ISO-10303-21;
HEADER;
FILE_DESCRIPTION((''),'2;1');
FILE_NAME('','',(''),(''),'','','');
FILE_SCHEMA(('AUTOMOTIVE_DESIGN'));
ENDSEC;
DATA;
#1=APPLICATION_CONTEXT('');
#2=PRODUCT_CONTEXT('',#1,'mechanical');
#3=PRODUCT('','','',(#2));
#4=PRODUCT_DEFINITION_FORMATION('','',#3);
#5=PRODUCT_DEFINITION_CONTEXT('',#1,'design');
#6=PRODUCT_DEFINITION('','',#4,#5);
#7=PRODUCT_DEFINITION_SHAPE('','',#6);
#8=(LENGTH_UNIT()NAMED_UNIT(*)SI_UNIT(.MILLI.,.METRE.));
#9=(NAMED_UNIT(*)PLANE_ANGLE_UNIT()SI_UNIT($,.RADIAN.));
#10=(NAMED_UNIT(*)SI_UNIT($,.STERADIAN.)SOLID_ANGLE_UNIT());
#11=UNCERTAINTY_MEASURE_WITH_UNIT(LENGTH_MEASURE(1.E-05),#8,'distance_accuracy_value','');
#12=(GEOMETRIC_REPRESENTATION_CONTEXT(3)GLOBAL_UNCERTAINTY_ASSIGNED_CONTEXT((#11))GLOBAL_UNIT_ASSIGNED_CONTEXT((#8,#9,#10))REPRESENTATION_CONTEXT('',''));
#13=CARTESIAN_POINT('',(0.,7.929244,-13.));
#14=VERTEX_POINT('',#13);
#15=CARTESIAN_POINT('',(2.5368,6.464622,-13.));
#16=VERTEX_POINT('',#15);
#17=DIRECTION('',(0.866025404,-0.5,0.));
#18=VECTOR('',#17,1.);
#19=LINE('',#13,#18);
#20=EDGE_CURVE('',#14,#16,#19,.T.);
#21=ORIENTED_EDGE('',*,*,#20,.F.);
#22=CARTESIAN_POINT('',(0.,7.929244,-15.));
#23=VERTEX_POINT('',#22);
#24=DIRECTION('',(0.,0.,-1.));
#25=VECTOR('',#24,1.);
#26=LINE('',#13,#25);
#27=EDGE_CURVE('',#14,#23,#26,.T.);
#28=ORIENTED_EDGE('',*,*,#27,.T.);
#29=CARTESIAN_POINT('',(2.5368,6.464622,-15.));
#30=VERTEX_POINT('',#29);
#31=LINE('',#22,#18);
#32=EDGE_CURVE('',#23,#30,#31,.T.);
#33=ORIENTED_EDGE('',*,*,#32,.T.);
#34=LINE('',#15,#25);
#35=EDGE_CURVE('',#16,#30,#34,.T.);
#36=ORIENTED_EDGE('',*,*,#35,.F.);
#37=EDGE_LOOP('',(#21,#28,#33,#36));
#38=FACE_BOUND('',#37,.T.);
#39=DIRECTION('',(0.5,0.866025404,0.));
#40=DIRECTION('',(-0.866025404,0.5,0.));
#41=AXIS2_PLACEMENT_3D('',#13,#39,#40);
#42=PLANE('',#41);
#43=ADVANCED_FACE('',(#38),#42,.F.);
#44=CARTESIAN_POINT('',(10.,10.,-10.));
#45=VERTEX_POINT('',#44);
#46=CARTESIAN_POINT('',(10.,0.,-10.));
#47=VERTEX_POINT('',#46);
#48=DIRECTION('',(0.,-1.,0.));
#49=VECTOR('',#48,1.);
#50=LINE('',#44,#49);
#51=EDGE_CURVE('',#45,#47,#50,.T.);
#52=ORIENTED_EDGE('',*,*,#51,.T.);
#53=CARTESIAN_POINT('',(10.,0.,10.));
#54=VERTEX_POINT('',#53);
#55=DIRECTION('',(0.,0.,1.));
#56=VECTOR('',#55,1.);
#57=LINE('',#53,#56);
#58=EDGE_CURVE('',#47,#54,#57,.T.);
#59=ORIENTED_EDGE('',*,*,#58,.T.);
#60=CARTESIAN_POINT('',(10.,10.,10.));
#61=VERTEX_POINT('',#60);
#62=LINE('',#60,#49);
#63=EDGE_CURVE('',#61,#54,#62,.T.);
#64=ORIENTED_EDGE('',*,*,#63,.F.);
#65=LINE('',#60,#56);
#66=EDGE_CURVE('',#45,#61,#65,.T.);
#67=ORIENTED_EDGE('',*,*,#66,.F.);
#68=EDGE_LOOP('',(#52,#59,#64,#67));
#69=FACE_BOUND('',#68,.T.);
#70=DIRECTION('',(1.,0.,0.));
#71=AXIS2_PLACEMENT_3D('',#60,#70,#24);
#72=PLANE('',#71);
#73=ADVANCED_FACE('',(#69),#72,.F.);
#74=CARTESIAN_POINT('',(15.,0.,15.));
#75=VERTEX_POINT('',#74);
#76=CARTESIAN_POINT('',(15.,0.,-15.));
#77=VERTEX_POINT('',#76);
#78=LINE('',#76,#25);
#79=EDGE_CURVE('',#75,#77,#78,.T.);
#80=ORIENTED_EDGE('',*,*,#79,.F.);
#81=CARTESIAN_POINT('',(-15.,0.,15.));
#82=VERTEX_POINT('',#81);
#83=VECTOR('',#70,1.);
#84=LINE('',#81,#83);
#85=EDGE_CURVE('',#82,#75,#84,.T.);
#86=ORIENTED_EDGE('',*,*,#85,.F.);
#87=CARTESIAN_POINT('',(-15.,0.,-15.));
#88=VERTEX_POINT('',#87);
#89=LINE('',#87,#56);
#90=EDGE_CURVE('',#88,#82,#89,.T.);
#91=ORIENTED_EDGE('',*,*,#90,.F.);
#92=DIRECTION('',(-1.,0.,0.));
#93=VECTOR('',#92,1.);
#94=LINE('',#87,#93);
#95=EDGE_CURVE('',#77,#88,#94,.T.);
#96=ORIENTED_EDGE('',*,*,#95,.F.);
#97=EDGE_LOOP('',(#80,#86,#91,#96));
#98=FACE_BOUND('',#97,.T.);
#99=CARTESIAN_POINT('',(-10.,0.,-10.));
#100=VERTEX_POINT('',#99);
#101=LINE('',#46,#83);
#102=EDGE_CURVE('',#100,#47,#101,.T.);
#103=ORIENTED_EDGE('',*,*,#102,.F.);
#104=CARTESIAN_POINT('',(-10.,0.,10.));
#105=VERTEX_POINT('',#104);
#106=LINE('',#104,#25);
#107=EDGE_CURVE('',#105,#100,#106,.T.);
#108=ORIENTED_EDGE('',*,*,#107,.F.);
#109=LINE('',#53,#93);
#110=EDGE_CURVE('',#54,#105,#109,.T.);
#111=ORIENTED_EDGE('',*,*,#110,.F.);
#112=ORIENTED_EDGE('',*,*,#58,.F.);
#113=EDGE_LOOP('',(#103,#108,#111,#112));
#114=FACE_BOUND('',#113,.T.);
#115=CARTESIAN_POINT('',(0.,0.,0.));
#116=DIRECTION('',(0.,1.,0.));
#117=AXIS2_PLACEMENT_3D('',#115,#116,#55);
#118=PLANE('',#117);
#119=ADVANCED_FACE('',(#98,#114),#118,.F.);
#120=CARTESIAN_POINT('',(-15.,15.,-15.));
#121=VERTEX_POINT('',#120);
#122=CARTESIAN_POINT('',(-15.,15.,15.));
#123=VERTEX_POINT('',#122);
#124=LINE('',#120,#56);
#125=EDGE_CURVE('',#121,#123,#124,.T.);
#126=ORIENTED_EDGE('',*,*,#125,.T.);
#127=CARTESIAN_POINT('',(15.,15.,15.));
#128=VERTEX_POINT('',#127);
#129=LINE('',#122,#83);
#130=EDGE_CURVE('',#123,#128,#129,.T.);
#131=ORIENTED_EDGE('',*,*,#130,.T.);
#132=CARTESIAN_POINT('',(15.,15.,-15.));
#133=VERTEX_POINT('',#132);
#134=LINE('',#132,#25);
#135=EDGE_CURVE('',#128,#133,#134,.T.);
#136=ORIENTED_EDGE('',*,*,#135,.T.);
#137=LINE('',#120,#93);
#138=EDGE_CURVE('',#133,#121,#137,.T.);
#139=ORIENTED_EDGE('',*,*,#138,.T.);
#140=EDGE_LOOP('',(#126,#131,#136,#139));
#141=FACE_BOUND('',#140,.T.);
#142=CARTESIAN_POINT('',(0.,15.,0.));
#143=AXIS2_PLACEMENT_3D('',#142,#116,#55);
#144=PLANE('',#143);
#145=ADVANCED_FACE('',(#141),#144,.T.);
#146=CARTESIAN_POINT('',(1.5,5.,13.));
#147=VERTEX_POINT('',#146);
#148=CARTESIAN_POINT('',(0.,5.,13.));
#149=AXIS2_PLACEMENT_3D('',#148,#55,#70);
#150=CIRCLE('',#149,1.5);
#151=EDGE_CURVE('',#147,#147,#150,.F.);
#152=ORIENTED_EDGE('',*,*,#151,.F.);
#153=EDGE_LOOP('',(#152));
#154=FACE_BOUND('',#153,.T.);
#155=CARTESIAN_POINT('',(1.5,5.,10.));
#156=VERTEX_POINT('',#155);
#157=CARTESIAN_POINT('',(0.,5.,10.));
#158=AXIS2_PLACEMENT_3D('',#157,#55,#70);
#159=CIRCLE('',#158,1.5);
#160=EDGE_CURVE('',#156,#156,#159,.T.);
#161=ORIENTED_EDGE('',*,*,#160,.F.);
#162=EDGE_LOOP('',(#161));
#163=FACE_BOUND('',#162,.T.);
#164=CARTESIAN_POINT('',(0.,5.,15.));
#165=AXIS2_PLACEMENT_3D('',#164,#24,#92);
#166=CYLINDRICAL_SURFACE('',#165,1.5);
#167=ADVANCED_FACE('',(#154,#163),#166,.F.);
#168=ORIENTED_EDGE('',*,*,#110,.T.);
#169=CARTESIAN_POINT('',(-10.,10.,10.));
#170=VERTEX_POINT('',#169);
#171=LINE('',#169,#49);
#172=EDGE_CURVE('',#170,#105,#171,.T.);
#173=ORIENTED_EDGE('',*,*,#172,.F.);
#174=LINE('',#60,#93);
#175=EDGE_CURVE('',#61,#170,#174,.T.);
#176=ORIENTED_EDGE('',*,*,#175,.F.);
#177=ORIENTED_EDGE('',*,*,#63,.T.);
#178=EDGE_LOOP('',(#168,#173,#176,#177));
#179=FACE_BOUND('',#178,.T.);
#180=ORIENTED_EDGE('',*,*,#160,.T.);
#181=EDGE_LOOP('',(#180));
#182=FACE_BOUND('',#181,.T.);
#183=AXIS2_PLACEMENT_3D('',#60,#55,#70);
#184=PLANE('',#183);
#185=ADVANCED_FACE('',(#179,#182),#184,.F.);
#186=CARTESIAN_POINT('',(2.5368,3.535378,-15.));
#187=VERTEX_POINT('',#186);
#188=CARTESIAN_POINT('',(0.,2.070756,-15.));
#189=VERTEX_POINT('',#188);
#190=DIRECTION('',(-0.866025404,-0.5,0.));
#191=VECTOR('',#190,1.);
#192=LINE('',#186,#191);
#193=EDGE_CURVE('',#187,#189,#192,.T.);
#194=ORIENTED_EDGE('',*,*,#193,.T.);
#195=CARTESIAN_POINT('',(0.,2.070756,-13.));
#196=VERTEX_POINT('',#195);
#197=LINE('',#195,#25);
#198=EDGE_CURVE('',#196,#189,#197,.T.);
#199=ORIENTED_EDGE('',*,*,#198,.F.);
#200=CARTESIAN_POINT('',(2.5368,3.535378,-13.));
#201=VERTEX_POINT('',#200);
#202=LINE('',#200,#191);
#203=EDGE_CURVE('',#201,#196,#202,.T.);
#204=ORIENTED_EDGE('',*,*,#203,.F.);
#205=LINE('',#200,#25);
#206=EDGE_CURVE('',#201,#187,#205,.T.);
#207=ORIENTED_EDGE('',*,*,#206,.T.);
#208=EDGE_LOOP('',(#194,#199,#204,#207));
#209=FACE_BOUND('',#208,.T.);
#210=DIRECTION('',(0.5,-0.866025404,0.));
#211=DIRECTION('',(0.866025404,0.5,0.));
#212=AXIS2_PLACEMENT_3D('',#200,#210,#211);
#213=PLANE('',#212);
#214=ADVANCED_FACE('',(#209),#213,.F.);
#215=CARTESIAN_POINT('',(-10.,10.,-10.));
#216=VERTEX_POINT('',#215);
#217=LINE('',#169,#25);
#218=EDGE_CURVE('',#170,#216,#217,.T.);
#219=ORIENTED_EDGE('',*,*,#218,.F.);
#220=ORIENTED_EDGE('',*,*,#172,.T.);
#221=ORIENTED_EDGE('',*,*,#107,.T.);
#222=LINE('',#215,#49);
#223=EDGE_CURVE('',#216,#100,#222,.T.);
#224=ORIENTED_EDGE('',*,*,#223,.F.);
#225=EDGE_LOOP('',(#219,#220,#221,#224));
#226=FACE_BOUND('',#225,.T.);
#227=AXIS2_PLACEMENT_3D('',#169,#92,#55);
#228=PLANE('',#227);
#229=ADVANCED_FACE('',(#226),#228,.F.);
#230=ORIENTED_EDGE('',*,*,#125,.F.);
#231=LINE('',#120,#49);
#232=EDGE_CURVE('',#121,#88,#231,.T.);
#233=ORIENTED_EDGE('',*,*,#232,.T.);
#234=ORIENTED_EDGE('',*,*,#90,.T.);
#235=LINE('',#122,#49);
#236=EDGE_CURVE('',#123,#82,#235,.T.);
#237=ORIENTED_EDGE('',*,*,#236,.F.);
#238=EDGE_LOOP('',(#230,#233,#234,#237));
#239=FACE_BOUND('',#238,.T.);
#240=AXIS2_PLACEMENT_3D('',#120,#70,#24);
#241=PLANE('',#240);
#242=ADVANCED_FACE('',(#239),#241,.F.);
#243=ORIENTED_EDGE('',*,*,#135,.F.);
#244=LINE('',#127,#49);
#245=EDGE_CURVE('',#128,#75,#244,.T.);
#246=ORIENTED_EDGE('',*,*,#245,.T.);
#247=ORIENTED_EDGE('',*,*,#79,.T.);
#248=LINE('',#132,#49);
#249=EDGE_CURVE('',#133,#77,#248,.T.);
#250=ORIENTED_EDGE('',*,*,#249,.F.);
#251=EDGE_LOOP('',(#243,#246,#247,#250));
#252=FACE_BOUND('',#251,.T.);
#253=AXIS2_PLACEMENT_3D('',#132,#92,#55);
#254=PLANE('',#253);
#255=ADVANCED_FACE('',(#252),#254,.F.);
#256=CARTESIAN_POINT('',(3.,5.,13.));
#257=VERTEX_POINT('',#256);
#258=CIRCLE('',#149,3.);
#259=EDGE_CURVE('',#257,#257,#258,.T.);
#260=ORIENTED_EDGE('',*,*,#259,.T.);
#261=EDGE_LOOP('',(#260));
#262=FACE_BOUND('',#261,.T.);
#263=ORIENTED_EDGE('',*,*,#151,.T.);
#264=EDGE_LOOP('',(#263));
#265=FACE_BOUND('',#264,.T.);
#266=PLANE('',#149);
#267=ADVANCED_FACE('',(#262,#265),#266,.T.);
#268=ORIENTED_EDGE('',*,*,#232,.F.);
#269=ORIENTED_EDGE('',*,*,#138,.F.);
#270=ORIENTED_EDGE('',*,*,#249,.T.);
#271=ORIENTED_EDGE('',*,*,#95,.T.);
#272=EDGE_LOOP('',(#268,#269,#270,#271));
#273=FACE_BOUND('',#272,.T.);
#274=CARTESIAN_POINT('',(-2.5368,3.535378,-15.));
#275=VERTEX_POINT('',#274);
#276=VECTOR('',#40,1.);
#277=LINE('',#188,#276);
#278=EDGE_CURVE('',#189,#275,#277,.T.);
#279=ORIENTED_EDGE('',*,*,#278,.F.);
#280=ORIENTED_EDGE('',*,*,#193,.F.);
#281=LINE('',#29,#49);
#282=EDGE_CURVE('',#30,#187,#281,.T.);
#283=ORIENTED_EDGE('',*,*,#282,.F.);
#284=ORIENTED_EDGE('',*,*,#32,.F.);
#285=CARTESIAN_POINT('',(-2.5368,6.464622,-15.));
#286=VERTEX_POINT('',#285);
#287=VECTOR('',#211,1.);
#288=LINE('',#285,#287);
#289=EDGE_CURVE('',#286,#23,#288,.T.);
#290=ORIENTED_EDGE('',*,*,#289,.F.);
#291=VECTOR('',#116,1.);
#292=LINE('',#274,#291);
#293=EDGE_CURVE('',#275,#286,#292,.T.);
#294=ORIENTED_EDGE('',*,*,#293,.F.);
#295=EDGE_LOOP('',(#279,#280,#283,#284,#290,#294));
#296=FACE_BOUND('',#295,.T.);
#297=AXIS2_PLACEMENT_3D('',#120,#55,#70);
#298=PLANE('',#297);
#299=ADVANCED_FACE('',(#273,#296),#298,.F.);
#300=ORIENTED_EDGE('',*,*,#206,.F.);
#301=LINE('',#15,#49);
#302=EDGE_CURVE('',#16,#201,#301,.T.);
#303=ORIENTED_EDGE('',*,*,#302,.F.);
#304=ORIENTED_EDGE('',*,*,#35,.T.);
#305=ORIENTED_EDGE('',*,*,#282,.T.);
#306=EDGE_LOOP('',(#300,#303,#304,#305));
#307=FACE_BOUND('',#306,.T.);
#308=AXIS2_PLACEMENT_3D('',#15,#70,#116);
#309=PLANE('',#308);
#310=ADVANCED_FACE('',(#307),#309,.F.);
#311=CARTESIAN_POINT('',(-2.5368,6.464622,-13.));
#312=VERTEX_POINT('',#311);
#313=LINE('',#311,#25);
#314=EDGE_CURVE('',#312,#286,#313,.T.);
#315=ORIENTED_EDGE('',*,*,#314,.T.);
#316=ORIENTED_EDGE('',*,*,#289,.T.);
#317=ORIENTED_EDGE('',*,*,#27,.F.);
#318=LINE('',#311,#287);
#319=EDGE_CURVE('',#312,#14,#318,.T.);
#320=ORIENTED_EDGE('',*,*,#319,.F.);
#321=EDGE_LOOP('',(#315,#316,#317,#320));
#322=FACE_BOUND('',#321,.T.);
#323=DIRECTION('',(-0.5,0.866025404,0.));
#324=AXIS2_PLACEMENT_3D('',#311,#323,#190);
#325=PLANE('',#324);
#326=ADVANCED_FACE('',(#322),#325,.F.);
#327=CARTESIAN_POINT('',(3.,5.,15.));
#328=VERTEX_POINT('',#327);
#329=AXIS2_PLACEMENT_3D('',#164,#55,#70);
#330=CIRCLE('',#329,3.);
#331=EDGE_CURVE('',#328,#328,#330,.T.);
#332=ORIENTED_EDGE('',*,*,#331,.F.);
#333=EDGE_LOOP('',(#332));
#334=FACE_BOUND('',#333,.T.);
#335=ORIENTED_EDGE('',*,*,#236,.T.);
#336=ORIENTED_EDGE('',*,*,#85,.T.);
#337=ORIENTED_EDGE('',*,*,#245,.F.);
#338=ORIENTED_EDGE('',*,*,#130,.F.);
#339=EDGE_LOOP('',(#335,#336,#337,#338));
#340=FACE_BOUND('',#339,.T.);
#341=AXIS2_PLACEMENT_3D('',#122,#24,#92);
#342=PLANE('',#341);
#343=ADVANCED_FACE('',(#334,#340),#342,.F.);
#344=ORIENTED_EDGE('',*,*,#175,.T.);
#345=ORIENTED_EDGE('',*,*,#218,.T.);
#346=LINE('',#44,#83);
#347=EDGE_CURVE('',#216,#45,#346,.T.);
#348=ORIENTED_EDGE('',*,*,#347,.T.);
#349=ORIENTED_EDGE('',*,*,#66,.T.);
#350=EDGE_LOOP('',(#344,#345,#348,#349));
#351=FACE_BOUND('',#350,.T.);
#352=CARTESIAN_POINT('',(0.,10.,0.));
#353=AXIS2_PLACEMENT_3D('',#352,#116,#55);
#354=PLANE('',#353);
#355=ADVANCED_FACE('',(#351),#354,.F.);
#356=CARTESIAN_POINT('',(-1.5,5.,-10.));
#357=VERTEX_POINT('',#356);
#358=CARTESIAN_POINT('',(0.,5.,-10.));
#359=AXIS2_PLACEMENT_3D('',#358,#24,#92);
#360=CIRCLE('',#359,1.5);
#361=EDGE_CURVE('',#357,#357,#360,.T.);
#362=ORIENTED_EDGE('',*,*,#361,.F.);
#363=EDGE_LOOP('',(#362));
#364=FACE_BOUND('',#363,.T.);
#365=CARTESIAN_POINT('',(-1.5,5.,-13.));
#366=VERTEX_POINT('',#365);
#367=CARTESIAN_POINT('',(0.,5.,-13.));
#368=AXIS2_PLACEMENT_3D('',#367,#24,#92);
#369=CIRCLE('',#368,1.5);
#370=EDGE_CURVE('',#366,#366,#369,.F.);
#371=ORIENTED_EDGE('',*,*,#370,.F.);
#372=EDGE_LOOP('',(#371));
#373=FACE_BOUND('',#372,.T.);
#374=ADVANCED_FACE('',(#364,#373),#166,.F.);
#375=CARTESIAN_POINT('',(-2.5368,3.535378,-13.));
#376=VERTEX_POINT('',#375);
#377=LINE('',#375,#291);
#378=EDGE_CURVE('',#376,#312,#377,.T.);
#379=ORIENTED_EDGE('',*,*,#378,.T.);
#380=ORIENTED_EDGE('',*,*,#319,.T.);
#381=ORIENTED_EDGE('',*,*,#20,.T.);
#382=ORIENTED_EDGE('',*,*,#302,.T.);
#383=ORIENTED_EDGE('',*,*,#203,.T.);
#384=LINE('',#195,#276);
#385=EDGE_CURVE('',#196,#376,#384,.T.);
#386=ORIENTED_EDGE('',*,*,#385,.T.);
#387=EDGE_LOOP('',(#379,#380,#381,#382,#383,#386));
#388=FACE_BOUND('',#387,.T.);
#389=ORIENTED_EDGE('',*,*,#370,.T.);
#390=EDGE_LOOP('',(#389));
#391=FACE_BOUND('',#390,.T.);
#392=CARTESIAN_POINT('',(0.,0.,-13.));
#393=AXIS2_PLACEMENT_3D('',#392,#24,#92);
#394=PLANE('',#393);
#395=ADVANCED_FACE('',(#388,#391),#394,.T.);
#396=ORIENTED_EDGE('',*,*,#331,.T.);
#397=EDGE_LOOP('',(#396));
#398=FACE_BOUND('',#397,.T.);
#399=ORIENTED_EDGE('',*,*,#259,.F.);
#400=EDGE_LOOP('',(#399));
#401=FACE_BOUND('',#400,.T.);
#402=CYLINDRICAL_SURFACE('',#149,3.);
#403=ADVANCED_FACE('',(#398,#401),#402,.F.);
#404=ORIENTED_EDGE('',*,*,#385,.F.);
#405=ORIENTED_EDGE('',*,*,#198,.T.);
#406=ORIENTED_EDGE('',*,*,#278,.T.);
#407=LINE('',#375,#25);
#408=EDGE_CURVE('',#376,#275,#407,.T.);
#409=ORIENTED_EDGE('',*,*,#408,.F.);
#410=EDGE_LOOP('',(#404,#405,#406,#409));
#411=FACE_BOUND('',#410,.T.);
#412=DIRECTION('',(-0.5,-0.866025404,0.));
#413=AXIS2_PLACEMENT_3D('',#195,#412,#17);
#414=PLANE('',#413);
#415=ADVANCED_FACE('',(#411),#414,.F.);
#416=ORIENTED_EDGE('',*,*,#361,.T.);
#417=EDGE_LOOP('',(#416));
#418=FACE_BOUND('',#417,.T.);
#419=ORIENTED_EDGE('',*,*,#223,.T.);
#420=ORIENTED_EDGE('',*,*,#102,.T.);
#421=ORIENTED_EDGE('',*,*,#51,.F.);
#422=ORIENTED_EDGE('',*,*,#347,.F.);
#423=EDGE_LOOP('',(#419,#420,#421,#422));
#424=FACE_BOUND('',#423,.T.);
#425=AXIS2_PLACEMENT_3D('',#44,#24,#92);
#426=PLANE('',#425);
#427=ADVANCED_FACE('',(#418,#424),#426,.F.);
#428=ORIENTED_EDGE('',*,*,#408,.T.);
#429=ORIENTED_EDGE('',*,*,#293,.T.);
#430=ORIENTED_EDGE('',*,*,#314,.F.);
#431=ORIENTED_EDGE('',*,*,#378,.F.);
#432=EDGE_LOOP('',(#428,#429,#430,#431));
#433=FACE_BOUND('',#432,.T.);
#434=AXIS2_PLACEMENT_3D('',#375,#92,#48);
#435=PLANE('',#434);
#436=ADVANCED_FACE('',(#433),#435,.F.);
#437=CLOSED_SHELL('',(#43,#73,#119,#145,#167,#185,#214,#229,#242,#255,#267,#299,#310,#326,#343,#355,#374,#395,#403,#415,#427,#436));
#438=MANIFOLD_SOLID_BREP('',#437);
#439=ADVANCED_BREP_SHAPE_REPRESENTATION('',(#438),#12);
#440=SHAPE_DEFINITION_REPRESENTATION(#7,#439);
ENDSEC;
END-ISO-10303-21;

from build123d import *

# Parameters (mm, degrees)
SKETCH1_W           = 30
SKETCH1_H           = 30
BOSS_EXTRUDE1_DEPTH = 15
SKETCH2_W           = 20
SKETCH2_H           = 20
CUT_EXTRUDE1_DEPTH  = 10
SKETCH3_R           = 1.5
CUT_EXTRUDE2_DEPTH  = 30
CUT_EXTRUDE3_DEPTH  = 2
SKETCH5_R           = 3
CUT_EXTRUDE4_DEPTH  = 2


with BuildPart() as part:
    # Sketch1 → Boss-Extrude1 (new body)
    with BuildSketch(Plane(origin=(0, 0, 0), x_dir=(1, 0, 0), z_dir=(0, 1, 0))):
        Rectangle(SKETCH1_W, SKETCH1_H)
    extrude(amount=BOSS_EXTRUDE1_DEPTH)

    # Sketch2 → Cut-Extrude1 (cut)
    with BuildSketch(Plane.XZ):
        Rectangle(SKETCH2_W, SKETCH2_H)
    extrude(amount=-CUT_EXTRUDE1_DEPTH, mode=Mode.SUBTRACT)

    # Sketch3 → Cut-Extrude2 (cut)
    with BuildSketch(Plane(origin=(0, 0, -15), x_dir=(-1, 0, 0), z_dir=(0, 0, -1))):
        with Locations((0, 5)):
            Circle(SKETCH3_R)
    extrude(amount=-CUT_EXTRUDE2_DEPTH, mode=Mode.SUBTRACT)

    # Sketch4 → Cut-Extrude3 (cut)
    with BuildSketch(Plane(origin=(0, 0, -15), x_dir=(-1, 0, 0), z_dir=(0, 0, -1))):
        Polygon((0, 2.070756219), (2.536799528, 3.53537811), (2.536799528, 6.46462189), (0, 7.929243781), (-2.536799528, 6.46462189), (-2.536799528, 3.53537811), align=None)
    extrude(amount=-CUT_EXTRUDE3_DEPTH, mode=Mode.SUBTRACT)

    # Sketch5 → Cut-Extrude4 (cut)
    with BuildSketch(Plane.XY.offset(15)):
        with Locations((0, 5)):
            Circle(SKETCH5_R)
    extrude(amount=-CUT_EXTRUDE4_DEPTH, mode=Mode.SUBTRACT)


solid = part.part
